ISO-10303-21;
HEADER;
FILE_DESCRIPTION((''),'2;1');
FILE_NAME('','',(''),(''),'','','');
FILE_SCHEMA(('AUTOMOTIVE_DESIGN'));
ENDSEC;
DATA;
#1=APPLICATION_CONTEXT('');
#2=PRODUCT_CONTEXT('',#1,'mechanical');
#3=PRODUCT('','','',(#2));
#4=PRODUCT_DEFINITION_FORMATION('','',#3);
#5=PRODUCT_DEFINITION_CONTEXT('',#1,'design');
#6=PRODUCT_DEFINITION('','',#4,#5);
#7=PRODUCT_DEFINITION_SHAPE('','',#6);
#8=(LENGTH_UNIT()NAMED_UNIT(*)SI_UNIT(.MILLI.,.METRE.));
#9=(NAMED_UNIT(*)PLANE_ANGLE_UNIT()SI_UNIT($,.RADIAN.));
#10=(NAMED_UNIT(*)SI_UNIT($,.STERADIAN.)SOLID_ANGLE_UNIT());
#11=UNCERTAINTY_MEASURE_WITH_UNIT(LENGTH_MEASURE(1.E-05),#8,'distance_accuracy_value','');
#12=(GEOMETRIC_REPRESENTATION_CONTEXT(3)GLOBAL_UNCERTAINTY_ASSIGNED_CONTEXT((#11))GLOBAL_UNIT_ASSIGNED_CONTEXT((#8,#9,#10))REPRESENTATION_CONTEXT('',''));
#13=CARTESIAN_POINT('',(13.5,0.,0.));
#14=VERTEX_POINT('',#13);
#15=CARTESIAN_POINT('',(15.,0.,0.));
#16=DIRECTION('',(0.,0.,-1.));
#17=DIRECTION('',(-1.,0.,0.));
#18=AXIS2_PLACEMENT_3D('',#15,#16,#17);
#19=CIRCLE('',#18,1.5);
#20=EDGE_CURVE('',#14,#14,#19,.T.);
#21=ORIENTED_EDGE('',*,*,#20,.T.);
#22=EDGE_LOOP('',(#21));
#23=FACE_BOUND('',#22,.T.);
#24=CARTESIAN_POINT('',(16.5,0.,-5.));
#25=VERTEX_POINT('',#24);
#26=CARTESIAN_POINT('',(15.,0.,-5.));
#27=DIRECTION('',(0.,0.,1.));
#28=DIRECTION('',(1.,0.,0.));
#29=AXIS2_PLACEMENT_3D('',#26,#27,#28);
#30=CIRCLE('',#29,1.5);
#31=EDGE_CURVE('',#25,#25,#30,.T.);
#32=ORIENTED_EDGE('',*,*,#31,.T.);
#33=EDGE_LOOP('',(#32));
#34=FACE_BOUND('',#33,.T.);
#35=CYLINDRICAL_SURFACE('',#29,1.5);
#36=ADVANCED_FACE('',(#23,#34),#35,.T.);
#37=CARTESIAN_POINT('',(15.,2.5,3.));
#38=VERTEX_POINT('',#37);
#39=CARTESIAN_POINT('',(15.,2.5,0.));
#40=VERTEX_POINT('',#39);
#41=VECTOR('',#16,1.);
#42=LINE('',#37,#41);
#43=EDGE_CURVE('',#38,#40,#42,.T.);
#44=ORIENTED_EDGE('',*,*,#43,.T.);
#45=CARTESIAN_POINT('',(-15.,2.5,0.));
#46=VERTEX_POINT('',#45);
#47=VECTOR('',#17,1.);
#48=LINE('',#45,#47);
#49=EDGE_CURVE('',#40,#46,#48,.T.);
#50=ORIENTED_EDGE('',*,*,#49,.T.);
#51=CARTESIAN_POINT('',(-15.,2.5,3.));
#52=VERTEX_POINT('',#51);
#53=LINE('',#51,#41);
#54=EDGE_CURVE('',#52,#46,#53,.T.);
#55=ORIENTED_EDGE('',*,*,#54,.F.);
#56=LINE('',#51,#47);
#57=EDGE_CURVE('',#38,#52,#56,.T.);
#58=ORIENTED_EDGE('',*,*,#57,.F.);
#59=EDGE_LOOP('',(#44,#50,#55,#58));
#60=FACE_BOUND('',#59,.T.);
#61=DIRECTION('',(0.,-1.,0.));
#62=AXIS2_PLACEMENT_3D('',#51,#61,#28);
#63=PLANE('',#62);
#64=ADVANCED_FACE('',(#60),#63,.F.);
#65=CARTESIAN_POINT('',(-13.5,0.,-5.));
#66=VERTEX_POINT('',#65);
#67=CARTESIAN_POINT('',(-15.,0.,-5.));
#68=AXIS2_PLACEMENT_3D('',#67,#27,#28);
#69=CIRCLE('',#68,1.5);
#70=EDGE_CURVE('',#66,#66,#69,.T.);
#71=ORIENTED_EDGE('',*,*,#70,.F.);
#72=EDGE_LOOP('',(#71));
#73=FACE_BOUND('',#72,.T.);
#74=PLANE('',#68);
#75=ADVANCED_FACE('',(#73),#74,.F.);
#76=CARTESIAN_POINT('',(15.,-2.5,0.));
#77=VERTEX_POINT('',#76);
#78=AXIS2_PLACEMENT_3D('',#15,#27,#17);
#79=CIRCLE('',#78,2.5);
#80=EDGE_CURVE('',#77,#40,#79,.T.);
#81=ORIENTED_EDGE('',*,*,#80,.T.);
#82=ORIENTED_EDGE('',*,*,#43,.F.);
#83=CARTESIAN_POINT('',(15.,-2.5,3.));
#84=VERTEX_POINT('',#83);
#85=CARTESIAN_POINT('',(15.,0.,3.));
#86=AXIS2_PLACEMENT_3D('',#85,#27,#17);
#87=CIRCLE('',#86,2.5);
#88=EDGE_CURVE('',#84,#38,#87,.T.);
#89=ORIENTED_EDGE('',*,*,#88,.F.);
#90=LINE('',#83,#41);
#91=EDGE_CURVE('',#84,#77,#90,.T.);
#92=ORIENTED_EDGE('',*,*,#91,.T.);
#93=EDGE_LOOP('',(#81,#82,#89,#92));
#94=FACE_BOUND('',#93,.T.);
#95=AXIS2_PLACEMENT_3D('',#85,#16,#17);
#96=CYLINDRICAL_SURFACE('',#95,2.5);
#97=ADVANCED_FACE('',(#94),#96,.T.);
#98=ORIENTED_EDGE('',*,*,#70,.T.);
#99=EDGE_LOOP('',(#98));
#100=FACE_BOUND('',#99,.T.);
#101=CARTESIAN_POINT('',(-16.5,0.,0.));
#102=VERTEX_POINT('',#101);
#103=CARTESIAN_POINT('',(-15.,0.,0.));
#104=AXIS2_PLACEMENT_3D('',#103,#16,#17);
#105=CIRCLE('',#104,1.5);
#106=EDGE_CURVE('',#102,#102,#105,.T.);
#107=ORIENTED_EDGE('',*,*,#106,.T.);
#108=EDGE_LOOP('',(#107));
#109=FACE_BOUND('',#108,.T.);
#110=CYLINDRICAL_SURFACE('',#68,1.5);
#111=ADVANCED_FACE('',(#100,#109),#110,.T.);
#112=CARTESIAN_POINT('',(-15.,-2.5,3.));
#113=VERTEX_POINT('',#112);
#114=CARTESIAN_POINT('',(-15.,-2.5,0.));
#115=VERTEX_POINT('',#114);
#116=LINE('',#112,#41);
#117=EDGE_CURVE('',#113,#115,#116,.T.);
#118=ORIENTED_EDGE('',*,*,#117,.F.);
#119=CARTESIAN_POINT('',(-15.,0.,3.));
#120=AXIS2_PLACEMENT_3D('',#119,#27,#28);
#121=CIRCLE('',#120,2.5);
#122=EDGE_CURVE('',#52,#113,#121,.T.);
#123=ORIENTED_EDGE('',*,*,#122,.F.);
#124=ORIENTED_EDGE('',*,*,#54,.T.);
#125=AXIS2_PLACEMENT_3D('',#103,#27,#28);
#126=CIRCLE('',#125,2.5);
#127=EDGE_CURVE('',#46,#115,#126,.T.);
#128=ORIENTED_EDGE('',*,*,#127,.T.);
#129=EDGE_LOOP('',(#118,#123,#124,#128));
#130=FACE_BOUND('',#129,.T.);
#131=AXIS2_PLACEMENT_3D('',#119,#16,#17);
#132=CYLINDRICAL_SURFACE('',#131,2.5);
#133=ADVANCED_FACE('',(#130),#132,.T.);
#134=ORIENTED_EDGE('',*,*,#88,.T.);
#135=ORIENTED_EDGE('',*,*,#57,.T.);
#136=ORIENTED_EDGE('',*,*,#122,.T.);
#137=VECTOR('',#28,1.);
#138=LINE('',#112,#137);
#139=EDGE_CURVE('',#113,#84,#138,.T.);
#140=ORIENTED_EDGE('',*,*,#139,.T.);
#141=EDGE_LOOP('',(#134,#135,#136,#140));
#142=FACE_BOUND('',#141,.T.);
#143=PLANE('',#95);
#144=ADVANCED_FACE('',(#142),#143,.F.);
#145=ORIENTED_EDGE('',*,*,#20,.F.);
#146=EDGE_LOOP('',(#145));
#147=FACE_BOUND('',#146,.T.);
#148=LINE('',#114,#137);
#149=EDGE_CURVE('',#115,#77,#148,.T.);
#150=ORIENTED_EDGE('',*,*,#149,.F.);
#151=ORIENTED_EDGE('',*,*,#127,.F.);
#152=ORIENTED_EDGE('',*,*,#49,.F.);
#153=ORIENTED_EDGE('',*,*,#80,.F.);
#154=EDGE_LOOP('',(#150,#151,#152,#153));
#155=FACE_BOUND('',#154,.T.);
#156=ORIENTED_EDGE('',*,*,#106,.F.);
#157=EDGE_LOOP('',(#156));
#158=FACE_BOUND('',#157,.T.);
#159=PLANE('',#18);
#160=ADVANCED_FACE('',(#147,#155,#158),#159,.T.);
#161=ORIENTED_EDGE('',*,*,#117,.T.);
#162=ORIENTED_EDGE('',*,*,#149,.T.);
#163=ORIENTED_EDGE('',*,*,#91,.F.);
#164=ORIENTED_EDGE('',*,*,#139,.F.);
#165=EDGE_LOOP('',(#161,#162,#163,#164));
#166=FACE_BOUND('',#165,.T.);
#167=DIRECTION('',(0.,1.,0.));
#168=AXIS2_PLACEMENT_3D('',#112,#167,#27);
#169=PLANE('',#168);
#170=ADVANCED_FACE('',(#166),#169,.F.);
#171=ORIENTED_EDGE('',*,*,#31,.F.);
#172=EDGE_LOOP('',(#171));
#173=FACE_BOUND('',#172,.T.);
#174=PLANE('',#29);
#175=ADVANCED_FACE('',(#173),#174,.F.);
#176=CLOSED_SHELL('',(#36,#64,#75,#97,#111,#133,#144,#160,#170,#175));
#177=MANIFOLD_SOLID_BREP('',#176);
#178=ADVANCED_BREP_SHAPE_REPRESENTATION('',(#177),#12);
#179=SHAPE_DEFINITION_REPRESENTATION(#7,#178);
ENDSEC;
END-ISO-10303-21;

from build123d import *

# Parameters (mm, degrees)
BOSS_EXTRUDE1_DEPTH = 3
SKETCH3_R           = 1.5
BOSS_EXTRUDE2_DEPTH = 5


with BuildPart() as part:
    # Sketch1 → Boss-Extrude1 (new body)
    with BuildSketch(Plane.XY):
        with BuildLine():
            Line((-15, -2.5), (15, -2.5))
            ThreePointArc((15, -2.5), (17.5, 0), (15, 2.5))
            Line((15, 2.5), (-15, 2.5))
            ThreePointArc((-15, 2.5), (-17.5, 0), (-15, -2.5))
        make_face()
    extrude(amount=BOSS_EXTRUDE1_DEPTH)

    # Sketch3 → Boss-Extrude2 (add)
    with BuildSketch(Plane.XY):
        with Locations((-15, 0)):
            Circle(SKETCH3_R)
        with Locations((15, 0)):
            Circle(SKETCH3_R)
    extrude(amount=-BOSS_EXTRUDE2_DEPTH)


solid = part.part
